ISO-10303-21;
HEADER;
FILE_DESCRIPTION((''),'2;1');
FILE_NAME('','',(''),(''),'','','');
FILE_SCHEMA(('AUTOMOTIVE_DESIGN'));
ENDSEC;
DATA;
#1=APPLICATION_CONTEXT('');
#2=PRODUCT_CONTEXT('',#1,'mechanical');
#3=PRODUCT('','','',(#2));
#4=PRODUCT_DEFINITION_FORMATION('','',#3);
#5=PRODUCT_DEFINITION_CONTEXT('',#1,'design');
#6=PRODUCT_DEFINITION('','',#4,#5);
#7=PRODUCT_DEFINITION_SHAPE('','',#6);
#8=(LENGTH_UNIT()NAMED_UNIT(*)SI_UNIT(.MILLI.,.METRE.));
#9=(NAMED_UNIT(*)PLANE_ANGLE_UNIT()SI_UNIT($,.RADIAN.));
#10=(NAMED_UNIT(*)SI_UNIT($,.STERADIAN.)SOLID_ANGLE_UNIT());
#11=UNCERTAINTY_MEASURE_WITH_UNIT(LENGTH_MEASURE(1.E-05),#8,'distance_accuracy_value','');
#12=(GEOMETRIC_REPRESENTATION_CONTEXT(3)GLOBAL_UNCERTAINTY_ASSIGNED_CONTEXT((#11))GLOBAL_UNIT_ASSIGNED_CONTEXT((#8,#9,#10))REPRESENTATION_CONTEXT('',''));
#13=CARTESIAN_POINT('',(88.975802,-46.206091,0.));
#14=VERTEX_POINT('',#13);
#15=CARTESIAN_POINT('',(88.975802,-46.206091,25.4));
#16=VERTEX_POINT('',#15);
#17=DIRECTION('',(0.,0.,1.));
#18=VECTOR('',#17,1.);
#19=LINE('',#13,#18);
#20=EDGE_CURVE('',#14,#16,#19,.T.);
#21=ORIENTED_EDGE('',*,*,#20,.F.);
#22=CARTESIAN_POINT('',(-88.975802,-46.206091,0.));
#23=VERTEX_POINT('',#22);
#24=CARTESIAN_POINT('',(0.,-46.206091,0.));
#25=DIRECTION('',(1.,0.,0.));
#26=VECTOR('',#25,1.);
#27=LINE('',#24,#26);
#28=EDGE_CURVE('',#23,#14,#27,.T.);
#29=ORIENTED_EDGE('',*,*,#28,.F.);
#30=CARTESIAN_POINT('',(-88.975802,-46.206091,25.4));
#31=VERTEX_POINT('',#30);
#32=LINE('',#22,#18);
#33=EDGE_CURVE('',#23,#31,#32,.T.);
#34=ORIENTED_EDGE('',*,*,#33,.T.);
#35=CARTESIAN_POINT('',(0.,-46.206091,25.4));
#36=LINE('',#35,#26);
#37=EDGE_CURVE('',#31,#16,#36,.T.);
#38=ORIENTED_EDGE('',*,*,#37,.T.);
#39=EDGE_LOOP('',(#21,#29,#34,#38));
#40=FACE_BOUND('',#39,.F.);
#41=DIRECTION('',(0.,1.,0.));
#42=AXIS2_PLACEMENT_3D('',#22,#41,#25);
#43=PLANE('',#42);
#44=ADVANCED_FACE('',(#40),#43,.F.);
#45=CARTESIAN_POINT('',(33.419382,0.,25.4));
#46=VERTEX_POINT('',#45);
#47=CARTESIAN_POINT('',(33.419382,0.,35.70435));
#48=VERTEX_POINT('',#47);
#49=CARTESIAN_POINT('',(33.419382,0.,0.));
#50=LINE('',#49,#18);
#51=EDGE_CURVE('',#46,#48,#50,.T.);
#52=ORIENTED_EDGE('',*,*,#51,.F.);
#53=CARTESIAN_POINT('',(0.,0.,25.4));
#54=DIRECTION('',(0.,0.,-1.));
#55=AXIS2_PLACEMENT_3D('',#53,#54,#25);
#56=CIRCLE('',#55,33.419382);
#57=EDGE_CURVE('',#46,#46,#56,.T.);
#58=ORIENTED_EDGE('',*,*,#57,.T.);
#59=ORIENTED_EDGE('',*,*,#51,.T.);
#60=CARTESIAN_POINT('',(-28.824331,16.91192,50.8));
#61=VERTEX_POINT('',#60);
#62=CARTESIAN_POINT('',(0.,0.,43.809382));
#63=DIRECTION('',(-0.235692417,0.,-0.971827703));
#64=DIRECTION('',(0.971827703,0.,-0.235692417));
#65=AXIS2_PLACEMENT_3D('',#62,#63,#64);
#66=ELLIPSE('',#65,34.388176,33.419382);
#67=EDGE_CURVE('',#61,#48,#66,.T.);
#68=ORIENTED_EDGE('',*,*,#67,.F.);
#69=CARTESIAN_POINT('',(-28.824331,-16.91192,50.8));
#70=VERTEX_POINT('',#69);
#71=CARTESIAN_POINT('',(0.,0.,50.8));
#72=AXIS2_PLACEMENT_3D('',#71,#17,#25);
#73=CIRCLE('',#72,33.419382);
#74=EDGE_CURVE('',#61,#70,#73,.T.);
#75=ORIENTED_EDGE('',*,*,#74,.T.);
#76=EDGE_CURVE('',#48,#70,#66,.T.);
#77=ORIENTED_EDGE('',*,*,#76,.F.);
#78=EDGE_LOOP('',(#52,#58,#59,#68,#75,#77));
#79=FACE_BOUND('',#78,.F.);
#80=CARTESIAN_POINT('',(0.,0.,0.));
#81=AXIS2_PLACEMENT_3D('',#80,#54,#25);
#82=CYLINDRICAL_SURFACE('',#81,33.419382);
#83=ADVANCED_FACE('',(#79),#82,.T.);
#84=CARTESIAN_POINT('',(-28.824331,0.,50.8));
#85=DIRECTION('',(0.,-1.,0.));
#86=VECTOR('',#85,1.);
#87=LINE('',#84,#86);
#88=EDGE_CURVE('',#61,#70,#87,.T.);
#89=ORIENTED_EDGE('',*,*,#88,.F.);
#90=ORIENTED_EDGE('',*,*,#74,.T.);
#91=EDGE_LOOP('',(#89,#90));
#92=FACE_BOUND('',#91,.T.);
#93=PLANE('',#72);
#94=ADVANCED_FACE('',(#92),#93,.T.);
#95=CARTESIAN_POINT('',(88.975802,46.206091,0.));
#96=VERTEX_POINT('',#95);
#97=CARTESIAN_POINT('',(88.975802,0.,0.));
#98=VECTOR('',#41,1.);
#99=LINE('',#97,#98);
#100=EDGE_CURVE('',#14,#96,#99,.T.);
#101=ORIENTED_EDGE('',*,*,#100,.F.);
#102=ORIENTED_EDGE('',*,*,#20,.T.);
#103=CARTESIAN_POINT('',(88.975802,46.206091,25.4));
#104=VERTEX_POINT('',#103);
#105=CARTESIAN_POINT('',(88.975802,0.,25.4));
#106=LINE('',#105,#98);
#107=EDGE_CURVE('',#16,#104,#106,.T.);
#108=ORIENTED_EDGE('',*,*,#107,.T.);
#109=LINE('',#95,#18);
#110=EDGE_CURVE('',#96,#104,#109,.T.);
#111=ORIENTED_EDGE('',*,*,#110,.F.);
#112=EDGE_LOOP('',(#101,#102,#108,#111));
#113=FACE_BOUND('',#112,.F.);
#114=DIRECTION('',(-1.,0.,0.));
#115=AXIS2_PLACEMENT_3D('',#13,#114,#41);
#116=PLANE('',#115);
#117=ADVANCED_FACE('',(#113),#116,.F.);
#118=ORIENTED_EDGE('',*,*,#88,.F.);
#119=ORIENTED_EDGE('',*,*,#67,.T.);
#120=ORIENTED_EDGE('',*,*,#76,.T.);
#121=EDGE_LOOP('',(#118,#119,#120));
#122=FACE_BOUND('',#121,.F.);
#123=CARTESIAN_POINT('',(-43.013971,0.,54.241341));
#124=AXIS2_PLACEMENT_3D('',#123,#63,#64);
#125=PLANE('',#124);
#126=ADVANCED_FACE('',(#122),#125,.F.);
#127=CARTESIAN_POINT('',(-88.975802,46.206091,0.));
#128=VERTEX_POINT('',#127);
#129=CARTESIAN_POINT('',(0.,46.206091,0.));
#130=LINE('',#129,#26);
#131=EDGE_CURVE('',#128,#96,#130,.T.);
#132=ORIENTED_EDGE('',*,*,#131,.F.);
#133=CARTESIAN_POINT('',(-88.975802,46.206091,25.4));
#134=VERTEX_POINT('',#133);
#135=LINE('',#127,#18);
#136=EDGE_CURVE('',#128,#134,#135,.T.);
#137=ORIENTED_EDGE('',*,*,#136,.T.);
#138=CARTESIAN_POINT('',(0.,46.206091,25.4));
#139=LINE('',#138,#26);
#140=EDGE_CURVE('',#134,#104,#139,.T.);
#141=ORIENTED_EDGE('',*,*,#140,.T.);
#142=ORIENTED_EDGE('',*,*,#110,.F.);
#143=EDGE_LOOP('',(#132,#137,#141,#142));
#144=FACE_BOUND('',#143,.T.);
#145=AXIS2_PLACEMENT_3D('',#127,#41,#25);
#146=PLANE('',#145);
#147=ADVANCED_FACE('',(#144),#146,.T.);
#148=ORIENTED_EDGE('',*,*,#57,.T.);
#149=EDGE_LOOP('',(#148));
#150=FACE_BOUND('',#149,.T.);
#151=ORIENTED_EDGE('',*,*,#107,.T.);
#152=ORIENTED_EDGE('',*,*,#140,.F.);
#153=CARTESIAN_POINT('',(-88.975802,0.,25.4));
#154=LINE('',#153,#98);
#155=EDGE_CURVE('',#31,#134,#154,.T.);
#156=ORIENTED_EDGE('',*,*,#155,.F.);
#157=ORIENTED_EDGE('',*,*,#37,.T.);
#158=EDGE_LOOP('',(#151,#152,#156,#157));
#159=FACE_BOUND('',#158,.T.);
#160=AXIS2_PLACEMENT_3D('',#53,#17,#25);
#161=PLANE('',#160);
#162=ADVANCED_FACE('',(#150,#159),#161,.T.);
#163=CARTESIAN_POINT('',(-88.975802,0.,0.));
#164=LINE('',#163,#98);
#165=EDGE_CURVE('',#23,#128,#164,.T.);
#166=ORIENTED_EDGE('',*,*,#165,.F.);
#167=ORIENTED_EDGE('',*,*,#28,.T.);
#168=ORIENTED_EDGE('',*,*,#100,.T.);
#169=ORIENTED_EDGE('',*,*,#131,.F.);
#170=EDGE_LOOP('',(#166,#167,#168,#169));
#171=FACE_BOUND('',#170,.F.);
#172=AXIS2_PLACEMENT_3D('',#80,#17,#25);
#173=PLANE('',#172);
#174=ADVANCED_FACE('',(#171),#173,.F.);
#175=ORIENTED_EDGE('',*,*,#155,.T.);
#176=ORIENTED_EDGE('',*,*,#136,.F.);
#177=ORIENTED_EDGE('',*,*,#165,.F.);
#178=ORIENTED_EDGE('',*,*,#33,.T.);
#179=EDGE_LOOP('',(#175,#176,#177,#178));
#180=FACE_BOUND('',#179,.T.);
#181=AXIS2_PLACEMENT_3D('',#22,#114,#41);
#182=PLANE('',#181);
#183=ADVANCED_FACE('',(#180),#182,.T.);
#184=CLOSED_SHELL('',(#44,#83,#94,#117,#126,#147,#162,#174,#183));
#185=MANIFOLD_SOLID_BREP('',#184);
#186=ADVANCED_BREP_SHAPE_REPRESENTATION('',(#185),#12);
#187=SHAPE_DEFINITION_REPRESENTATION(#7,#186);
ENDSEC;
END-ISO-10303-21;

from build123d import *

# Parameters (mm, degrees)
F0_W     = 177.951604
F0_H     = 92.412182
F0_R     = 33.419382
F1_DEPTH = 25.4
F2_DEPTH = 50.8
F4_DEPTH = 38.1


with BuildPart() as f1:
    # F0 (on Top) → F1 (new body)
    with BuildSketch(Plane.XY):
        Rectangle(F0_W, F0_H)
        Circle(F0_R, mode=Mode.SUBTRACT)
        Circle(F0_R)
    extrude(amount=F1_DEPTH)

    # F0 (on Top) → F2 (join)
    with BuildSketch(Plane.XY):
        Circle(F0_R)
    extrude(amount=F2_DEPTH)

    # F3 (on Front) → F4 (cut, symmetric)
    with BuildSketch(Plane.XZ):
        Polygon((44.763692, 56.282684), (-43.013971, 54.241341), (44.763692, 32.953072), align=None)
    extrude(amount=F4_DEPTH, both=True, mode=Mode.SUBTRACT)


solid = f1.part
